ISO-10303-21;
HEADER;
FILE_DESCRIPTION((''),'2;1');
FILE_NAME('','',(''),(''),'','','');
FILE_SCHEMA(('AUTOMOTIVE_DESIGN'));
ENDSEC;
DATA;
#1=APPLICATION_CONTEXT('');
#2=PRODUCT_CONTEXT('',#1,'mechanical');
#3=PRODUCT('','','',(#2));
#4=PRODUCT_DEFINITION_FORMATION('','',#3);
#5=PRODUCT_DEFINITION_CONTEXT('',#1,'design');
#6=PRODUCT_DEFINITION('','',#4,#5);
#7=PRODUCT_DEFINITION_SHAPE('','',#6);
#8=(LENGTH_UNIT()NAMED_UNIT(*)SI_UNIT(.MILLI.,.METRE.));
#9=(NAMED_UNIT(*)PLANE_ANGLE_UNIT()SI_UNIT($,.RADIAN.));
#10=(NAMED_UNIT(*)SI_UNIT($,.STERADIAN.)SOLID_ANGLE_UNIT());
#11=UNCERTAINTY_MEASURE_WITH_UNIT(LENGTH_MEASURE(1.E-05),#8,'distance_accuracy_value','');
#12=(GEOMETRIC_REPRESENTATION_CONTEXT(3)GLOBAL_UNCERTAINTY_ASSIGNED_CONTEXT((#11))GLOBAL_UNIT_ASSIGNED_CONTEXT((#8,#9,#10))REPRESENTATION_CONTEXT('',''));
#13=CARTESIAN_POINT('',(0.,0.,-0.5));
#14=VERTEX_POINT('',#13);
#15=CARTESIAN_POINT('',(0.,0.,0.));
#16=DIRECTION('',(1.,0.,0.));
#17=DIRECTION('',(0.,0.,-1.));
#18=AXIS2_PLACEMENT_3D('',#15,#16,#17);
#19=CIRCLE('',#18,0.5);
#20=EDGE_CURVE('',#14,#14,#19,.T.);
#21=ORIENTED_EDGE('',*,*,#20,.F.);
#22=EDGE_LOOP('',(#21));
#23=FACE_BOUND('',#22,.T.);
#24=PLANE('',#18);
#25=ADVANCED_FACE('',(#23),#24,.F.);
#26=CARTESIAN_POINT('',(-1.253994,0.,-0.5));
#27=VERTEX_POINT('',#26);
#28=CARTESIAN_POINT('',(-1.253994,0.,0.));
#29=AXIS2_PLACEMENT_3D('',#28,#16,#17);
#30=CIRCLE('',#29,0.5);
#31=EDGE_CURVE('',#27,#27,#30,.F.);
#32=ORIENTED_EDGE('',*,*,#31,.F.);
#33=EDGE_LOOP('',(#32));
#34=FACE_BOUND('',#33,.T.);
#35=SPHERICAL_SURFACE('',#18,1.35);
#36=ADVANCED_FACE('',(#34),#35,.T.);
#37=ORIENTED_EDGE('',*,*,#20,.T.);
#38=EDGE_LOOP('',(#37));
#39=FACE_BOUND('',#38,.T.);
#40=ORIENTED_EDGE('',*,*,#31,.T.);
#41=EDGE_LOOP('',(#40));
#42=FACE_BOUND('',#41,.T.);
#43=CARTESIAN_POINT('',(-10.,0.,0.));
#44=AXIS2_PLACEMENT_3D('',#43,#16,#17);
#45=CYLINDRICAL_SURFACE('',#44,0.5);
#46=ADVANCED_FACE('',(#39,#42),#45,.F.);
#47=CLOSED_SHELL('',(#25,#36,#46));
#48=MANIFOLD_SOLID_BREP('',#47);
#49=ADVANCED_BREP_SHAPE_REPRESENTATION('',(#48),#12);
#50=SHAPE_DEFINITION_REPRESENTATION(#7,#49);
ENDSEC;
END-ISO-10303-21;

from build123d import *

# Parameters (mm, degrees)
SPRING_SLOT_PROFILE_R = 0.5
SPRING_SLOT_CUT_DEPTH = 10


with BuildPart() as part:
    # Sphere Profile → Sphere Revolve (revolve)
    with BuildSketch(Plane.XY):
        with BuildLine():
            Line((0, 1.35), (0, -1.35))
            ThreePointArc((0, -1.35), (-1.35, 0), (0, 1.35))
        make_face()
    revolve(axis=Axis((0, 1.35, 0), (0, -1, 0)))

    # Spring Slot Profile → Spring Slot Cut (cut)
    with BuildSketch(Plane(origin=(0, 0, 0), x_dir=(0, 0, -1), z_dir=(1, 0, 0))):
        Circle(SPRING_SLOT_PROFILE_R)
    extrude(amount=-SPRING_SLOT_CUT_DEPTH, mode=Mode.SUBTRACT)


solid = part.part
